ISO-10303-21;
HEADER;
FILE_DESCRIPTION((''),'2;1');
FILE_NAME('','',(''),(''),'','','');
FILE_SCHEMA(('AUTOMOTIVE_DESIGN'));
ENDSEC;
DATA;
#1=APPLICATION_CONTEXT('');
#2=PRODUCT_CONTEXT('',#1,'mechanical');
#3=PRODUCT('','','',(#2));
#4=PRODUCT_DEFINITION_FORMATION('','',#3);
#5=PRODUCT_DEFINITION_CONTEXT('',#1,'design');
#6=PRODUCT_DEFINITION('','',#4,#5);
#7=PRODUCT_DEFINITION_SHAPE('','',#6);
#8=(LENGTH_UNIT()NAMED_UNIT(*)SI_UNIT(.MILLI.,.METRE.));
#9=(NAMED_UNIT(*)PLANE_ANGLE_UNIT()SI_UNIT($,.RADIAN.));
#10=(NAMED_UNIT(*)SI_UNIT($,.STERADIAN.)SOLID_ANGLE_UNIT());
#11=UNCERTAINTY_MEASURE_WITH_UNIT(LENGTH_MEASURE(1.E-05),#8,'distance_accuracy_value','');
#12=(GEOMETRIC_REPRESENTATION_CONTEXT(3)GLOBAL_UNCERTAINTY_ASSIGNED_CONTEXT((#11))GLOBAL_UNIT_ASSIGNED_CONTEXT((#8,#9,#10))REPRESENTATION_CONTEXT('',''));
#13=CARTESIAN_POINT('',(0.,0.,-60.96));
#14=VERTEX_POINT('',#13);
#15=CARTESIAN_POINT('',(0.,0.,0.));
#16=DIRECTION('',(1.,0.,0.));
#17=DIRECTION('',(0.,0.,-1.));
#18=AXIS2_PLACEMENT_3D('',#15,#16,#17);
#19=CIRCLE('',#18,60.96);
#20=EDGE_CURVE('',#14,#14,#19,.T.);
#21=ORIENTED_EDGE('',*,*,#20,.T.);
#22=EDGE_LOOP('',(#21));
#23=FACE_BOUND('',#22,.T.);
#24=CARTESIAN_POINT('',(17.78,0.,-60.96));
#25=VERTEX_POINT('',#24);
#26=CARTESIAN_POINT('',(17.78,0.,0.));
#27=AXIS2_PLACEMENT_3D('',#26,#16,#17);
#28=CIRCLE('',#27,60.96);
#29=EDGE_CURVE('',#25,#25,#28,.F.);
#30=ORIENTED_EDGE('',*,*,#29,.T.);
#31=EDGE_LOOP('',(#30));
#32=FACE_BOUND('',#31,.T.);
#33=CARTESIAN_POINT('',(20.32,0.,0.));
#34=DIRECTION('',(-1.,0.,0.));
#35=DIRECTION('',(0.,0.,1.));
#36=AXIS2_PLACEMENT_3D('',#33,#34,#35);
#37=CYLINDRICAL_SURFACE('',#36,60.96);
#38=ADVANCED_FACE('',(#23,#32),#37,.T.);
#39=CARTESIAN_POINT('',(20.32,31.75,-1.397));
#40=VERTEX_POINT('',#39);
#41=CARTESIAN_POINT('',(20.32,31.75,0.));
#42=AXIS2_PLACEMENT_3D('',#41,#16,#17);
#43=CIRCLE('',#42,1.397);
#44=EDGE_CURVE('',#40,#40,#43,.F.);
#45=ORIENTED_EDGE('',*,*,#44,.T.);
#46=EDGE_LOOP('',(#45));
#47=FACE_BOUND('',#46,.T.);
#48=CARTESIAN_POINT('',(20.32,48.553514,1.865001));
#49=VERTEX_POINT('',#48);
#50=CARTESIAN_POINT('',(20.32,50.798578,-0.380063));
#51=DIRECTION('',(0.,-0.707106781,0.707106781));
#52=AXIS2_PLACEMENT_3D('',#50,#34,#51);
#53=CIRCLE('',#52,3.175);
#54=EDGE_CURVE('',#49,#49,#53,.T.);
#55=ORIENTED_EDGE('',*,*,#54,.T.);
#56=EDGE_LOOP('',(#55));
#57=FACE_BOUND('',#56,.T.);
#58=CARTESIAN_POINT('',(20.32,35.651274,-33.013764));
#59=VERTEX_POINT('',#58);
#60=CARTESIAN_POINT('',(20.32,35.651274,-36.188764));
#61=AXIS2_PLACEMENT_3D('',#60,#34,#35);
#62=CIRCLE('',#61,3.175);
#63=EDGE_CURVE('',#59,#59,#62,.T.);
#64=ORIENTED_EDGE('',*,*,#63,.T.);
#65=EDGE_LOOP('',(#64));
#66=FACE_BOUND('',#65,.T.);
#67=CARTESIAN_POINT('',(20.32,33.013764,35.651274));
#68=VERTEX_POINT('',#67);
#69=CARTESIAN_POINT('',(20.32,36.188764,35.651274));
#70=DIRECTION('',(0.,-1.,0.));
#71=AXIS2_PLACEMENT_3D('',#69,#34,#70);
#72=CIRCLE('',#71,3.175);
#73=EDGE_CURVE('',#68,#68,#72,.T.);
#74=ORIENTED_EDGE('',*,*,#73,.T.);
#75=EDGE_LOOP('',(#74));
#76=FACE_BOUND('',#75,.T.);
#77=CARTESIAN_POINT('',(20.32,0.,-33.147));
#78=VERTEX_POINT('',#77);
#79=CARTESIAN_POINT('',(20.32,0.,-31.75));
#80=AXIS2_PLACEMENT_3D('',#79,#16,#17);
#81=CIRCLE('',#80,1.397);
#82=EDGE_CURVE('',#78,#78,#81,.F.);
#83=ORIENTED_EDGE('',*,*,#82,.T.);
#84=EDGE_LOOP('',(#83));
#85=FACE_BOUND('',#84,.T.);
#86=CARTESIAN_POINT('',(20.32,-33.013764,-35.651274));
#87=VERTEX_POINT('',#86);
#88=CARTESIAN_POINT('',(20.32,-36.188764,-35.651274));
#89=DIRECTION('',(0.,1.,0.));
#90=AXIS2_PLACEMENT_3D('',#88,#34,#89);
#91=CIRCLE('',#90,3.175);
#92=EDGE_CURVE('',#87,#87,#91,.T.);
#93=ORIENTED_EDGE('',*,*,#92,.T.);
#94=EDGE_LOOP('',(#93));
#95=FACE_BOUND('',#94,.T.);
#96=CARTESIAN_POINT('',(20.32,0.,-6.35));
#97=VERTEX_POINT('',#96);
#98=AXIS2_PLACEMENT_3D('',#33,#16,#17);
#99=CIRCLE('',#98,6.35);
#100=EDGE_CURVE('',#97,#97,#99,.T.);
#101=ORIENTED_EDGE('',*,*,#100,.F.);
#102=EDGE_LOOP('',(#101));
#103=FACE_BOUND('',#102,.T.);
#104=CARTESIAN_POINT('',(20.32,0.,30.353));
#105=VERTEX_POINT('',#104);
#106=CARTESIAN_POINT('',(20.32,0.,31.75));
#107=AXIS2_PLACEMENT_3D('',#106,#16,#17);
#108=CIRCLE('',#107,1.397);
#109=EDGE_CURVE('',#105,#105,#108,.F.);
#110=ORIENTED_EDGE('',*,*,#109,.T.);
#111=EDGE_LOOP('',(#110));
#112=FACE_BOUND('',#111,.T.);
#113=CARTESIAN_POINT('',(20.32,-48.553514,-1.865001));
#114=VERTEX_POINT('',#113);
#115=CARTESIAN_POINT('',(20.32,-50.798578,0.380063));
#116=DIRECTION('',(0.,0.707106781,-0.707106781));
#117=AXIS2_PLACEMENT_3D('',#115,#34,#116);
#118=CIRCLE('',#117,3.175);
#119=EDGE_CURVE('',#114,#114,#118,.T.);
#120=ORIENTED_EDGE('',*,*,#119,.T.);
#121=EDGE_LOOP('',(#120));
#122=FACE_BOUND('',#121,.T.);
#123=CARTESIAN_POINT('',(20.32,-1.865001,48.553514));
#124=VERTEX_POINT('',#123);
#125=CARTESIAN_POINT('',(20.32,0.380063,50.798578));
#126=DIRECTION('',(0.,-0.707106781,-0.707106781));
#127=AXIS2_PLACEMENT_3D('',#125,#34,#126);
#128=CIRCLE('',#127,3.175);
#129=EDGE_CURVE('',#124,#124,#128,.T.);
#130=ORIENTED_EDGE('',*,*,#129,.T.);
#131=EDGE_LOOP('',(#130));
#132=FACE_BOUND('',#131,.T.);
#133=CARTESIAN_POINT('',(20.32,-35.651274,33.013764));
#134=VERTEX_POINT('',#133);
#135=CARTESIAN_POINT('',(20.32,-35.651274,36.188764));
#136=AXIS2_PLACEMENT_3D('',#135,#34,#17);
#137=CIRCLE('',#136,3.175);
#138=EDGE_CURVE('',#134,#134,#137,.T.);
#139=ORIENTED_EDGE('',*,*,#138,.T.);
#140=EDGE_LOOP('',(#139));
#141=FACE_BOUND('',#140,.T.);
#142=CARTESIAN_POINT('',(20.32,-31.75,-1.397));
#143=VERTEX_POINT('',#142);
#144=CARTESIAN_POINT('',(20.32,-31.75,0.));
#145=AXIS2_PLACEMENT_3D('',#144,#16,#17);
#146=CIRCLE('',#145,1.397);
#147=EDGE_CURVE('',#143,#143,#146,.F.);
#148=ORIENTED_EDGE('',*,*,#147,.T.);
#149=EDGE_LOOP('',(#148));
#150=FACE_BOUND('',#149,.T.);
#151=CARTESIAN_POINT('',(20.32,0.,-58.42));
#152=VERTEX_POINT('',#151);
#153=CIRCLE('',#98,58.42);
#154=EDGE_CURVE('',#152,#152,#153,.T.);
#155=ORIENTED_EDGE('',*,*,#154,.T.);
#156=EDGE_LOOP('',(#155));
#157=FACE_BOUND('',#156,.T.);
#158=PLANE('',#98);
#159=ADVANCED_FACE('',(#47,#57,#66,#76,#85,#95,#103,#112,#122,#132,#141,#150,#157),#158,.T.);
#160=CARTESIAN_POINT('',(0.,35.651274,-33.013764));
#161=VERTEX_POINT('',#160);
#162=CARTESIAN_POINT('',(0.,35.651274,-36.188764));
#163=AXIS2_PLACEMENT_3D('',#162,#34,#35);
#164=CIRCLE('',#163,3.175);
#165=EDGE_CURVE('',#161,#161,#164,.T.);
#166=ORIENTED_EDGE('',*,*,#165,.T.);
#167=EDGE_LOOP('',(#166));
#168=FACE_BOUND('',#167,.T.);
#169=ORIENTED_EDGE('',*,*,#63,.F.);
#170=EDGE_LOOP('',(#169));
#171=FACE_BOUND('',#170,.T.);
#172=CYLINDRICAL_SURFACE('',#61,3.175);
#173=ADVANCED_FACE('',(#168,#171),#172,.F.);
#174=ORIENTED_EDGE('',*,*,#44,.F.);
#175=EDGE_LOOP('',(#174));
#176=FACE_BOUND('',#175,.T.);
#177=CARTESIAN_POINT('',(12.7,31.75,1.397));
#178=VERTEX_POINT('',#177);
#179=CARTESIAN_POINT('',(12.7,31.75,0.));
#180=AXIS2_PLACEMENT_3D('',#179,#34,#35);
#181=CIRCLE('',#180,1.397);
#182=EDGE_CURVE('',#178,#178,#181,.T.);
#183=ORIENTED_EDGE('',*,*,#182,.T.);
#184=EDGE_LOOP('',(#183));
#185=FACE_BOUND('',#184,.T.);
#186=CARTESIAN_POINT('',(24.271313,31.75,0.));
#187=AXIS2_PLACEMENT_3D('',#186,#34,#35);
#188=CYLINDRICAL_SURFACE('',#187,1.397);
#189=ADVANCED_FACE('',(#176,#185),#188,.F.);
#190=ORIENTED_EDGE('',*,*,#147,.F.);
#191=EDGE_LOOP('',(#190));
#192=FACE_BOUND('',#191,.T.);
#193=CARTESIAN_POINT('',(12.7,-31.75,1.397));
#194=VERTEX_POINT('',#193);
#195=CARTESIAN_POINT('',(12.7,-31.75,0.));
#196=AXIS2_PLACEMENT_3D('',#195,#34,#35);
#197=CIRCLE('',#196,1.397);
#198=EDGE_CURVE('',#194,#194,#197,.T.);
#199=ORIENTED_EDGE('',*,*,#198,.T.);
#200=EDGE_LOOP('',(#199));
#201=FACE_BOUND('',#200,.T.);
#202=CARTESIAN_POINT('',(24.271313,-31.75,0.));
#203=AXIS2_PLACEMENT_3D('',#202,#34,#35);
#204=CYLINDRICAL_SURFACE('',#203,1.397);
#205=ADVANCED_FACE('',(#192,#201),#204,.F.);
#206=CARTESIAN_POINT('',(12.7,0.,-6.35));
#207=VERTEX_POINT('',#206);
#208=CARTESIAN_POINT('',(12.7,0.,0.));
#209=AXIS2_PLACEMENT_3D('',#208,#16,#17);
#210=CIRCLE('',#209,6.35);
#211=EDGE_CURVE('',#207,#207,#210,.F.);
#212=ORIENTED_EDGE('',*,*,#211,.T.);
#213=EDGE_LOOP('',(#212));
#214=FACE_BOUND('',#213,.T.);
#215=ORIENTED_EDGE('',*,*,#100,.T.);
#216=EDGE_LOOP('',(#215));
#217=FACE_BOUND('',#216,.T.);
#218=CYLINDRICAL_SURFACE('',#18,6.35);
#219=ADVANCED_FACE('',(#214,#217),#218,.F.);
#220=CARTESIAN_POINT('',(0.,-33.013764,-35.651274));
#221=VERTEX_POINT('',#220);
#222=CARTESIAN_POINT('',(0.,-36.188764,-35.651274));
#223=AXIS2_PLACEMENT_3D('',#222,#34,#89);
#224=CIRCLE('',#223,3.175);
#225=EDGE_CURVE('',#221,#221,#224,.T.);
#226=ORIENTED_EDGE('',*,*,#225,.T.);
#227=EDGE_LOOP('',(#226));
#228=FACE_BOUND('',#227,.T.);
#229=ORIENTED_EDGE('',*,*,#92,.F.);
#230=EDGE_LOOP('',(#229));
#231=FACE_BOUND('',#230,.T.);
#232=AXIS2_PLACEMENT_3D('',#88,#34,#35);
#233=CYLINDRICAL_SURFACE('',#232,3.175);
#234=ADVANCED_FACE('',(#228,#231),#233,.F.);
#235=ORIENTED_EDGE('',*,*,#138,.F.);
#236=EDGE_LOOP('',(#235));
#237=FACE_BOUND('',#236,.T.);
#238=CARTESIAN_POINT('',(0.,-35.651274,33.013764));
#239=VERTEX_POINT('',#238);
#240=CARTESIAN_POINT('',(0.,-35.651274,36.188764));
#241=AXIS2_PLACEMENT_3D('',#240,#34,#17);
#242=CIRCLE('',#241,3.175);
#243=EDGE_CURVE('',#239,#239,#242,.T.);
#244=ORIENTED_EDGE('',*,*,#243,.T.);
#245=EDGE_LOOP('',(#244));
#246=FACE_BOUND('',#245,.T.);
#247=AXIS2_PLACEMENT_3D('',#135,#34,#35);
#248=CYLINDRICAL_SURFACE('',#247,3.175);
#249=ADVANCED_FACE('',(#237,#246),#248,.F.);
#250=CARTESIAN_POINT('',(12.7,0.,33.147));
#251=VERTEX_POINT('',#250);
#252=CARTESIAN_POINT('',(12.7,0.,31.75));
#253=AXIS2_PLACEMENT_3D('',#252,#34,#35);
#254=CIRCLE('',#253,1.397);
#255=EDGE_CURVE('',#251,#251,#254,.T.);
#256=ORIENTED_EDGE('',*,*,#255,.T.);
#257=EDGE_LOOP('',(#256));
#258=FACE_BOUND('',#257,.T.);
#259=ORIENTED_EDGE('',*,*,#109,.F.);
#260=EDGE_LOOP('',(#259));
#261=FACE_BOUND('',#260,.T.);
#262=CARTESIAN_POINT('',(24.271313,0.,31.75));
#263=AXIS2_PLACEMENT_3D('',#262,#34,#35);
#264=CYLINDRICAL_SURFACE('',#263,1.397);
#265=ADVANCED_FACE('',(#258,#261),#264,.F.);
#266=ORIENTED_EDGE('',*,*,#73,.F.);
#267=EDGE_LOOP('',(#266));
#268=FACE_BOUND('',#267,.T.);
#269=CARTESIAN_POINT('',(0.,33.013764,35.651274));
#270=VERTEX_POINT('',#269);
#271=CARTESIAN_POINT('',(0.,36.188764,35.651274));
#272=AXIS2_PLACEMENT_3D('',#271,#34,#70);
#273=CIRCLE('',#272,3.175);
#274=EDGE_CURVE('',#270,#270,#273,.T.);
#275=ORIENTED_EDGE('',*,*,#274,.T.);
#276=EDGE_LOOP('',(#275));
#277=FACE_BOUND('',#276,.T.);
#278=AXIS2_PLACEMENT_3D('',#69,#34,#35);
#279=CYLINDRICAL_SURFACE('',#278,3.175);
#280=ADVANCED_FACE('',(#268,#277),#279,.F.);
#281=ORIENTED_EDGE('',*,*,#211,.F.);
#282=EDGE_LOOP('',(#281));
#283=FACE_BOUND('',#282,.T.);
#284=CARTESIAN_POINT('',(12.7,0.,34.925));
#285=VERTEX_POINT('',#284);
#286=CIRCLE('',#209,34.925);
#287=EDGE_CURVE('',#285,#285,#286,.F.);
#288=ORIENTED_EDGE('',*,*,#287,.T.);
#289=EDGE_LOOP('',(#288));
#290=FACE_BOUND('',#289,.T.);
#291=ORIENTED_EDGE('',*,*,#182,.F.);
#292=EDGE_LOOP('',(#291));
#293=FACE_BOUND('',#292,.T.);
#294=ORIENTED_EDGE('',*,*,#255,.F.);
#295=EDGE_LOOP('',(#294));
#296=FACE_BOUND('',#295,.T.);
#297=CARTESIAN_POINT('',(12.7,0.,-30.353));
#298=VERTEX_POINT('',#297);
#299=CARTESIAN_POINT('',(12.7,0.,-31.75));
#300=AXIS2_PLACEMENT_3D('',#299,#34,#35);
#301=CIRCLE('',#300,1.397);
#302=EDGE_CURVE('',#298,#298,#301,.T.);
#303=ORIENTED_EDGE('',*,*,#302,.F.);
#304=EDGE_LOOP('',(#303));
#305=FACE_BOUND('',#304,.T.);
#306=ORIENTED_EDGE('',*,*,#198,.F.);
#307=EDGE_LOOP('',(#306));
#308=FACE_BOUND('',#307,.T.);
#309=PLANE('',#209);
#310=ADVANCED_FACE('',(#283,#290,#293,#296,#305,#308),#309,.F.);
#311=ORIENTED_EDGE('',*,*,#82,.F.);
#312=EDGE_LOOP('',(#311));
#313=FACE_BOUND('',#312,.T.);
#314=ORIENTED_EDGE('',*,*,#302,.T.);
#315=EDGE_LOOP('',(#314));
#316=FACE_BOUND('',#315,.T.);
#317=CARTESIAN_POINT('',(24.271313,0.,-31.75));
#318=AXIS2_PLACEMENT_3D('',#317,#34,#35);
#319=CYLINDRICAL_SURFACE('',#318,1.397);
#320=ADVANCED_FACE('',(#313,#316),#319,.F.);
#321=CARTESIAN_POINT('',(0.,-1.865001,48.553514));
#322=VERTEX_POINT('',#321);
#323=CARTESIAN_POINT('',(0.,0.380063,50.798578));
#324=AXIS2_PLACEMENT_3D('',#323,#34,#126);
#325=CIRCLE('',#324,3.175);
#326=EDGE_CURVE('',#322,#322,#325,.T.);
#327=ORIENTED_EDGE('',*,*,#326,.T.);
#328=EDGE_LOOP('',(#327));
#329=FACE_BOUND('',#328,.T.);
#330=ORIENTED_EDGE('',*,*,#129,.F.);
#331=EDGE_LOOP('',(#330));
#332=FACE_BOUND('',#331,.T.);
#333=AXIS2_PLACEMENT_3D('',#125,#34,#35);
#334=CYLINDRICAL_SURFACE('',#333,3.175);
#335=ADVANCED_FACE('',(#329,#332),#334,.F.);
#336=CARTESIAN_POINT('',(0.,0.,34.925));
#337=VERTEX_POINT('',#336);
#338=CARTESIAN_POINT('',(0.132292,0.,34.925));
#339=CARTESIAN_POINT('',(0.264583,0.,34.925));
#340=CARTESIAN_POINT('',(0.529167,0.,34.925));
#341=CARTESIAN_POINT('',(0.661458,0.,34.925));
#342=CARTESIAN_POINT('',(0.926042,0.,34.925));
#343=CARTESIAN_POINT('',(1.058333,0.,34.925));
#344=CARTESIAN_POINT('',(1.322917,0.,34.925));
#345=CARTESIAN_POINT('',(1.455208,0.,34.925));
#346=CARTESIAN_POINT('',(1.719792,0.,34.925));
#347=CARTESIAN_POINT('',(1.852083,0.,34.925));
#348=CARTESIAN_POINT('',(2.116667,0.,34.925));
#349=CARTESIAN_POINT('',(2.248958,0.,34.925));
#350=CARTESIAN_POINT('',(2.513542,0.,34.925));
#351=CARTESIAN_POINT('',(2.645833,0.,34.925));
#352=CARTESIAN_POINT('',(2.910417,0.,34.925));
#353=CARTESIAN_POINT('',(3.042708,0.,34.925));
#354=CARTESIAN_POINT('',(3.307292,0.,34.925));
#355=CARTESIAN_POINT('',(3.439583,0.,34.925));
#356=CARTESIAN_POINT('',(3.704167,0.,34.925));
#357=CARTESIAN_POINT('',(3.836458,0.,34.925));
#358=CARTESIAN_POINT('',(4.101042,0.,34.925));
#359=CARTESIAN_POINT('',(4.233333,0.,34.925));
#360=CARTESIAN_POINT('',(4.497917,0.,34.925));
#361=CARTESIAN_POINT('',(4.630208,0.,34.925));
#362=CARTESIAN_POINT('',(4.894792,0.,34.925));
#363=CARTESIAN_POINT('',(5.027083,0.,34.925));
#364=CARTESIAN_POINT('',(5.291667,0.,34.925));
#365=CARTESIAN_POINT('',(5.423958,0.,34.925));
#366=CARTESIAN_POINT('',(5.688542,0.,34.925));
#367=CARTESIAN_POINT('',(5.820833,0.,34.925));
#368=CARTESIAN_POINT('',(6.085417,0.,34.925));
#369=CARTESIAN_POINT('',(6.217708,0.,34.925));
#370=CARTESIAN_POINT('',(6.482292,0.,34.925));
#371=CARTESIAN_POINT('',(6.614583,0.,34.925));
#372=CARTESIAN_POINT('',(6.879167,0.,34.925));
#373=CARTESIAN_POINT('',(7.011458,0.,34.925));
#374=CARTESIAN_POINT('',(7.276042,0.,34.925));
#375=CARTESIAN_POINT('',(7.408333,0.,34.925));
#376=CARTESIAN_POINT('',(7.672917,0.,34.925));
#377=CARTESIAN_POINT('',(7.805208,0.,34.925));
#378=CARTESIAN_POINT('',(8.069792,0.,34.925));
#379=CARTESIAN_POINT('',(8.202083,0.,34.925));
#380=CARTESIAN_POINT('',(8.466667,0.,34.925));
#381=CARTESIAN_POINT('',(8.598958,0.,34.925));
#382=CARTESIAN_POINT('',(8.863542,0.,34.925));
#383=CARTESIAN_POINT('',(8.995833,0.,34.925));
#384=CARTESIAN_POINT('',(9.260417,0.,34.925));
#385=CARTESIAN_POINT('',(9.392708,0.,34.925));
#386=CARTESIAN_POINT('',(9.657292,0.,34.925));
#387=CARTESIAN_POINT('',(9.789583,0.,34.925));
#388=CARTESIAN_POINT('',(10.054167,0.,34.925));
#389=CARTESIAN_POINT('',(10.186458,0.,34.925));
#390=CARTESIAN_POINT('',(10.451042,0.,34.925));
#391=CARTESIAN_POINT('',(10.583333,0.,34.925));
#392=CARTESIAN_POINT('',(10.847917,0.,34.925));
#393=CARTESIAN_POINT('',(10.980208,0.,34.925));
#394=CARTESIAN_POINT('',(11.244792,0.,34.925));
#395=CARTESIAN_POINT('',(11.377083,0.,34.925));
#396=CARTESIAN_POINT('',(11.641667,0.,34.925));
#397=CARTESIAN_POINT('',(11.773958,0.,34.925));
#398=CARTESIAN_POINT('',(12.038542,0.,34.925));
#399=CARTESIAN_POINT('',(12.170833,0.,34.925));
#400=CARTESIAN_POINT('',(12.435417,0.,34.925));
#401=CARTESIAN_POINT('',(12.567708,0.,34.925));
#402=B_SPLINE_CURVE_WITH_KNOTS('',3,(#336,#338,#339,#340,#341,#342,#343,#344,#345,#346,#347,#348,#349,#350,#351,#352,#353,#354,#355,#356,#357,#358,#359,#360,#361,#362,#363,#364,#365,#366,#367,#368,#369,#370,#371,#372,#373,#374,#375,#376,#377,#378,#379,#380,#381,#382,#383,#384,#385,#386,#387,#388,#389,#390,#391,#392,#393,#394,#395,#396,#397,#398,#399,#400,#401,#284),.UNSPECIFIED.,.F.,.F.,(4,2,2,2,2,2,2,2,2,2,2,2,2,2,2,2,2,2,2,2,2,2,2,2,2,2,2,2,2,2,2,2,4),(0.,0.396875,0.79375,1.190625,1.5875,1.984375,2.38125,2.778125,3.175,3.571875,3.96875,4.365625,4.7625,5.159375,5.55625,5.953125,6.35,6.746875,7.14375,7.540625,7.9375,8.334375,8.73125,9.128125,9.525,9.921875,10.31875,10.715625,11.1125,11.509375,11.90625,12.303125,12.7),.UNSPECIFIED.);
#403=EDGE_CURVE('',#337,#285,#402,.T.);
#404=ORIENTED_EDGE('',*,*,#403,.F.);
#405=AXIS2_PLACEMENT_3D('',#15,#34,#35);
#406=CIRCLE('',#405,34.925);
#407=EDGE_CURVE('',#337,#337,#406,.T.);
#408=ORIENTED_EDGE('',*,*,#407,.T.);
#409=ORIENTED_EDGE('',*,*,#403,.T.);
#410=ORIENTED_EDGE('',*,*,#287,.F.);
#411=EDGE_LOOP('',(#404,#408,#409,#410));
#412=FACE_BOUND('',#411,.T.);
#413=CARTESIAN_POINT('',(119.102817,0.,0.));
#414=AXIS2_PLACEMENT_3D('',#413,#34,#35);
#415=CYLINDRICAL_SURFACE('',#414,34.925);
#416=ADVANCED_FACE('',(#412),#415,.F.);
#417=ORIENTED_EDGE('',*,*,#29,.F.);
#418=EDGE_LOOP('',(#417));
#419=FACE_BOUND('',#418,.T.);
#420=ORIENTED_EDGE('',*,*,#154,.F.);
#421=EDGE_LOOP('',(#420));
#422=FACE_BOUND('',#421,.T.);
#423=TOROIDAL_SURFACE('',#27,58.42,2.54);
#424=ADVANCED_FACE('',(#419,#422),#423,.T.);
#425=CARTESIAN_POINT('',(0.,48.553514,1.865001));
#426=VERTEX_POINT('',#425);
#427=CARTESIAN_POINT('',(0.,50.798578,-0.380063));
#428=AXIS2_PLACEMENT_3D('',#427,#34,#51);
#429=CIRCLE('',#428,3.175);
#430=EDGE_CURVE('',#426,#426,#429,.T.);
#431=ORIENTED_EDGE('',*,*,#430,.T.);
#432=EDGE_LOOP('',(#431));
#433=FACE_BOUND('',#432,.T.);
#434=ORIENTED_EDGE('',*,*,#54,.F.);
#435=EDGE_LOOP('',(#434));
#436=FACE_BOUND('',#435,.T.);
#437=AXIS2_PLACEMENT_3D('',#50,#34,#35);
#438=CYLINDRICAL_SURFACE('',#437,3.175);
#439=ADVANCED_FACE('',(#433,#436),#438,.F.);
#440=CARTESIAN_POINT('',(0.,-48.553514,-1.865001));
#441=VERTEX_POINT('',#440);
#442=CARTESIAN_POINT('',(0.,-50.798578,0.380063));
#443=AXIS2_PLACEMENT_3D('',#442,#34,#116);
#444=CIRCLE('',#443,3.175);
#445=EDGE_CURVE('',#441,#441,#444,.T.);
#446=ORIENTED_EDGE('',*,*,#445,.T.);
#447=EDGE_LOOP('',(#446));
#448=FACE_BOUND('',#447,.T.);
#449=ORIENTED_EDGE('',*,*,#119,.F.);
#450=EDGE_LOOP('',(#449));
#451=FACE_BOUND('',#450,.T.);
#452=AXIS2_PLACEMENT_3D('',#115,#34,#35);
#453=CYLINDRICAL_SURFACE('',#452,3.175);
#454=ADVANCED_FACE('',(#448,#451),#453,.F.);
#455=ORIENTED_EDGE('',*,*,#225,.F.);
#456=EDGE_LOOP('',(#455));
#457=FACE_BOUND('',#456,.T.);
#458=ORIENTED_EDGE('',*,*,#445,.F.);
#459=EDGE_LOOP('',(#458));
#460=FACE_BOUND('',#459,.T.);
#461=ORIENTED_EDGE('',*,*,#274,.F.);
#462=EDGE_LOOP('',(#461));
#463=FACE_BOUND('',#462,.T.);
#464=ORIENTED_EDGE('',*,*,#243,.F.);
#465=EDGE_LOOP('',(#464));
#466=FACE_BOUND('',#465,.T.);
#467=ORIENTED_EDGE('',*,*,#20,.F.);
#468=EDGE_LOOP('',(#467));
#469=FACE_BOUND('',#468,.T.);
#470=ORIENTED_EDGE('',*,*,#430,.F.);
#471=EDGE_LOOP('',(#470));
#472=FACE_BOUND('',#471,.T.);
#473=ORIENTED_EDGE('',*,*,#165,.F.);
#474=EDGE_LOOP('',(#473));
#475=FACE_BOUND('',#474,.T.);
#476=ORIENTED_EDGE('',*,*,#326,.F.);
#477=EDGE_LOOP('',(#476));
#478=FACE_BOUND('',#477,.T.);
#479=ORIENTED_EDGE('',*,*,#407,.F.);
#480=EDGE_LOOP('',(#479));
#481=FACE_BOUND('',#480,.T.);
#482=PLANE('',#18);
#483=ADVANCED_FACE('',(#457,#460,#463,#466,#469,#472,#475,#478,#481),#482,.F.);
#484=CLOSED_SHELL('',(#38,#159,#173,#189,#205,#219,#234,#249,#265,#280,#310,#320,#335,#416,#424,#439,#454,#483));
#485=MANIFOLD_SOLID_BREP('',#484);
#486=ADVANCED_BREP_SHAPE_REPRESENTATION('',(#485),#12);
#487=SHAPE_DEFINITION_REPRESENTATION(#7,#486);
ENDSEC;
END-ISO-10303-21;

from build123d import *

# Parameters (mm, degrees)
SKETCH1_R           = 60.96
BOSS_EXTRUDE1_DEPTH = 20.32
FILLET1_R           = 2.54
SKETCH2_R           = 4.508
CUT_EXTRUDE1_DEPTH  = 6.35
SKETCH4_R           = 6.35
CUT_EXTRUDE3_DEPTH  = 89.572826533
SKETCH5_R           = 3.175
CUT_EXTRUDE4_DEPTH  = 89.572826533
CIRPATTERN2_COUNT   = 8
SKETCH6_R           = 34.925
CUT_EXTRUDE5_DEPTH  = 12.7
SKETCH7_R           = 1.397
CUT_EXTRUDE6_DEPTH  = 7.62


with BuildPart() as part:
    # Sketch1 → Boss-Extrude1 (new body)
    with BuildSketch(Plane(origin=(0, 0, 0), x_dir=(0, 0, -1), z_dir=(1, 0, 0))):
        Circle(SKETCH1_R)
    extrude(amount=BOSS_EXTRUDE1_DEPTH)

    # Fillet1
    fillet1_edges = [part.edges().sort_by_distance(p)[0] for p in [
        (20.32, 0, 60.96),
    ]]
    fillet(fillet1_edges, radius=FILLET1_R)

    # Sketch2 → Cut-Extrude1 (cut)
    with BuildSketch(Plane(origin=(20.32, 0, 0), x_dir=(0, 0, -1), z_dir=(1, 0, 0))):
        Circle(SKETCH2_R)
    extrude(amount=-CUT_EXTRUDE1_DEPTH, mode=Mode.SUBTRACT)

    # Sketch4 → Cut-Extrude3 (cut, through all)
    with BuildSketch(Plane(origin=(20.32, 0, 0), x_dir=(0, 0, -1), z_dir=(1, 0, 0))):
        Circle(SKETCH4_R)
    extrude(amount=-CUT_EXTRUDE3_DEPTH, mode=Mode.SUBTRACT)

    # Sketch5 → Cut-Extrude4 (cut, through all)
    with BuildSketch(Plane.ZY):
        with Locations((-36.188764222, 35.651274088)):
            Circle(SKETCH5_R)
    cut_extrude4 = extrude(amount=-CUT_EXTRUDE4_DEPTH, mode=Mode.SUBTRACT)

    # CirPattern2: Cut-Extrude4 ×8 about axis, 1 skipped
    cirpattern2_axis = Axis((0, 0, 0), (1, 0, 0))
    add([cut_extrude4.rotate(cirpattern2_axis, i * 360 / CIRPATTERN2_COUNT) for i in range(1, CIRPATTERN2_COUNT) if i not in (7,)], mode=Mode.SUBTRACT)

    # Sketch6 → Cut-Extrude5 (cut)
    with BuildSketch(Plane.ZY):
        Circle(SKETCH6_R)
    extrude(amount=-CUT_EXTRUDE5_DEPTH, mode=Mode.SUBTRACT)

    # Sketch7 → Cut-Extrude6 (cut)
    with BuildSketch(Plane.ZY.offset(-12.7)):
        with Locations((0, 31.75)):
            Circle(SKETCH7_R)
        with Locations((31.75, 0)):
            Circle(SKETCH7_R)
        with Locations((0, -31.75)):
            Circle(SKETCH7_R)
        with Locations((-31.75, 0)):
            Circle(SKETCH7_R)
    extrude(amount=-CUT_EXTRUDE6_DEPTH, mode=Mode.SUBTRACT)


solid = part.part
